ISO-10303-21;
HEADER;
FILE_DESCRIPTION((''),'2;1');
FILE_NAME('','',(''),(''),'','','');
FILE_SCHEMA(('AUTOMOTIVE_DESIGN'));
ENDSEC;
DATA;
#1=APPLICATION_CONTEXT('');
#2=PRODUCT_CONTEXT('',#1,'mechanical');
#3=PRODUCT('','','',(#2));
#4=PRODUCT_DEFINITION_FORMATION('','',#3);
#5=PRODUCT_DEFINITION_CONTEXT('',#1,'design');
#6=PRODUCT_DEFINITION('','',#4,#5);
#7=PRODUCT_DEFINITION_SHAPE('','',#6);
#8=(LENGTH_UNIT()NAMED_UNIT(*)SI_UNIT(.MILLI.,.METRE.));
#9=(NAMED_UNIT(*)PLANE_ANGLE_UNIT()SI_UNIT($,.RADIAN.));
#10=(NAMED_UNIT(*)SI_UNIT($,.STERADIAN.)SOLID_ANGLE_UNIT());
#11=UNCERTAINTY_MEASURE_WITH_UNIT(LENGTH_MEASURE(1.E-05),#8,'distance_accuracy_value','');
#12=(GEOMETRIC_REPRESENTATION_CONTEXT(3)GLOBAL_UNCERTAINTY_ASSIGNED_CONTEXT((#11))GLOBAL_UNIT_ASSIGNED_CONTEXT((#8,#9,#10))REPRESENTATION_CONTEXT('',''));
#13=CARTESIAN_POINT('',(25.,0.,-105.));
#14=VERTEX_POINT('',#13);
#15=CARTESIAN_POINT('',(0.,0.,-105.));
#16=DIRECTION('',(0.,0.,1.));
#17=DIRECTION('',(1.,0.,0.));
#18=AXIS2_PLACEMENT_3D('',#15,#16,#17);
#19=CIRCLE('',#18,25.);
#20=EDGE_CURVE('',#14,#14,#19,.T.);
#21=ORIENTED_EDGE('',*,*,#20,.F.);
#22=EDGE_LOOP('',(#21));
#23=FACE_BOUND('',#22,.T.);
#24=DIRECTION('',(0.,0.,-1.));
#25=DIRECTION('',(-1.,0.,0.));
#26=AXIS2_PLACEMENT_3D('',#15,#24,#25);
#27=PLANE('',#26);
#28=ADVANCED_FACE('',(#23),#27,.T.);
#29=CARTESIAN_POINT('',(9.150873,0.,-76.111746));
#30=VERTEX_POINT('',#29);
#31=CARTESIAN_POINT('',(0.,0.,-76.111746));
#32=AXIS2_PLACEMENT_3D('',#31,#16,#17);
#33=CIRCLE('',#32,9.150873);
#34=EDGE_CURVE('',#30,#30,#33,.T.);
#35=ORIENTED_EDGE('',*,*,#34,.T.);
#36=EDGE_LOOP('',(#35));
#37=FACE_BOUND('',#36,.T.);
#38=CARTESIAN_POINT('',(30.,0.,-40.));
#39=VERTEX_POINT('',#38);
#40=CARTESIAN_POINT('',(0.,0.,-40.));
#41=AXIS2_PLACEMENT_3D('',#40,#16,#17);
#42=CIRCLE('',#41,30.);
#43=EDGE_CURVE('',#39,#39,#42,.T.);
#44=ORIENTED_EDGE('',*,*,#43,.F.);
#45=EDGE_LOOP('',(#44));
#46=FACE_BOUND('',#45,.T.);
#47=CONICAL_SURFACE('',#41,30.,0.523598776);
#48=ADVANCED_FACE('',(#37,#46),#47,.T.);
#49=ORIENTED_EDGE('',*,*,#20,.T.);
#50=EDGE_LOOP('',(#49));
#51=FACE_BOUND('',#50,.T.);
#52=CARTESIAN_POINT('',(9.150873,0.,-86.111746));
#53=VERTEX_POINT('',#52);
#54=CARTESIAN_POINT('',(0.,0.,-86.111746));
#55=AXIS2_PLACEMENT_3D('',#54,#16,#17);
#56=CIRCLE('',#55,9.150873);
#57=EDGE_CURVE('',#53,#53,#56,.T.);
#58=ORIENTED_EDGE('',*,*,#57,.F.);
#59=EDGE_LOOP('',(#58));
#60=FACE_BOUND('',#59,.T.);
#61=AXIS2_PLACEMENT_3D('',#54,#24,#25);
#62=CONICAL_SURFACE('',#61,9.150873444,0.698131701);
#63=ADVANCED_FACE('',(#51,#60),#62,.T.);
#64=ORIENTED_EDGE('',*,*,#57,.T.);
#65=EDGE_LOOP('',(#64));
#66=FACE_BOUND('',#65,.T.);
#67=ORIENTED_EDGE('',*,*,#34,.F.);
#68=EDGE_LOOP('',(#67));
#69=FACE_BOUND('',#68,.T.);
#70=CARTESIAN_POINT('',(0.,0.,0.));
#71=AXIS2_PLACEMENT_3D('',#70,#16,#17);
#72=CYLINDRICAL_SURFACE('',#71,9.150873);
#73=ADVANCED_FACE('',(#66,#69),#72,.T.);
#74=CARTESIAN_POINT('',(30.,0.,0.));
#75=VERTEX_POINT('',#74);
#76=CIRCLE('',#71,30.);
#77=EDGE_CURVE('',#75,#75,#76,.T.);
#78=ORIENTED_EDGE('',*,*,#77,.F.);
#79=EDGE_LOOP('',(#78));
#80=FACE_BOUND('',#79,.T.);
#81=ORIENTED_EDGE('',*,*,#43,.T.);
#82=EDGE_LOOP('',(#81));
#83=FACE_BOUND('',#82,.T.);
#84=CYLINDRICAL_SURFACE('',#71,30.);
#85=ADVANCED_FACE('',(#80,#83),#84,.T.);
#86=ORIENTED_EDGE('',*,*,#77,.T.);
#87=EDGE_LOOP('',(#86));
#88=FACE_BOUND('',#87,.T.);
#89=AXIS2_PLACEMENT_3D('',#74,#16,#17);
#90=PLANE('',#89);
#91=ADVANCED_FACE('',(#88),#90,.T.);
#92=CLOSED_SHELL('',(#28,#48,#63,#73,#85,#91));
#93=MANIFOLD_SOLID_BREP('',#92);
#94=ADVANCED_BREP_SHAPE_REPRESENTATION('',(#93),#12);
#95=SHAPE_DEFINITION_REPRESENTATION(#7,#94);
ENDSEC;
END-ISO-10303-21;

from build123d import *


with BuildPart() as part:
    # Sketch1 → Revolve1 (revolve)
    with BuildSketch(Plane(origin=(0, 0, 0), x_dir=(1, 0, 0), z_dir=(0, 1, 0))):
        Polygon((0, 0), (0, 105), (25, 105), (9.150873444, 86.111746488), (9.150873444, 76.111746488), (30, 40), (30, 0), align=None)
    revolve(axis=Axis((0, 0, 0), (0, 0, -1)))


solid = part.part
